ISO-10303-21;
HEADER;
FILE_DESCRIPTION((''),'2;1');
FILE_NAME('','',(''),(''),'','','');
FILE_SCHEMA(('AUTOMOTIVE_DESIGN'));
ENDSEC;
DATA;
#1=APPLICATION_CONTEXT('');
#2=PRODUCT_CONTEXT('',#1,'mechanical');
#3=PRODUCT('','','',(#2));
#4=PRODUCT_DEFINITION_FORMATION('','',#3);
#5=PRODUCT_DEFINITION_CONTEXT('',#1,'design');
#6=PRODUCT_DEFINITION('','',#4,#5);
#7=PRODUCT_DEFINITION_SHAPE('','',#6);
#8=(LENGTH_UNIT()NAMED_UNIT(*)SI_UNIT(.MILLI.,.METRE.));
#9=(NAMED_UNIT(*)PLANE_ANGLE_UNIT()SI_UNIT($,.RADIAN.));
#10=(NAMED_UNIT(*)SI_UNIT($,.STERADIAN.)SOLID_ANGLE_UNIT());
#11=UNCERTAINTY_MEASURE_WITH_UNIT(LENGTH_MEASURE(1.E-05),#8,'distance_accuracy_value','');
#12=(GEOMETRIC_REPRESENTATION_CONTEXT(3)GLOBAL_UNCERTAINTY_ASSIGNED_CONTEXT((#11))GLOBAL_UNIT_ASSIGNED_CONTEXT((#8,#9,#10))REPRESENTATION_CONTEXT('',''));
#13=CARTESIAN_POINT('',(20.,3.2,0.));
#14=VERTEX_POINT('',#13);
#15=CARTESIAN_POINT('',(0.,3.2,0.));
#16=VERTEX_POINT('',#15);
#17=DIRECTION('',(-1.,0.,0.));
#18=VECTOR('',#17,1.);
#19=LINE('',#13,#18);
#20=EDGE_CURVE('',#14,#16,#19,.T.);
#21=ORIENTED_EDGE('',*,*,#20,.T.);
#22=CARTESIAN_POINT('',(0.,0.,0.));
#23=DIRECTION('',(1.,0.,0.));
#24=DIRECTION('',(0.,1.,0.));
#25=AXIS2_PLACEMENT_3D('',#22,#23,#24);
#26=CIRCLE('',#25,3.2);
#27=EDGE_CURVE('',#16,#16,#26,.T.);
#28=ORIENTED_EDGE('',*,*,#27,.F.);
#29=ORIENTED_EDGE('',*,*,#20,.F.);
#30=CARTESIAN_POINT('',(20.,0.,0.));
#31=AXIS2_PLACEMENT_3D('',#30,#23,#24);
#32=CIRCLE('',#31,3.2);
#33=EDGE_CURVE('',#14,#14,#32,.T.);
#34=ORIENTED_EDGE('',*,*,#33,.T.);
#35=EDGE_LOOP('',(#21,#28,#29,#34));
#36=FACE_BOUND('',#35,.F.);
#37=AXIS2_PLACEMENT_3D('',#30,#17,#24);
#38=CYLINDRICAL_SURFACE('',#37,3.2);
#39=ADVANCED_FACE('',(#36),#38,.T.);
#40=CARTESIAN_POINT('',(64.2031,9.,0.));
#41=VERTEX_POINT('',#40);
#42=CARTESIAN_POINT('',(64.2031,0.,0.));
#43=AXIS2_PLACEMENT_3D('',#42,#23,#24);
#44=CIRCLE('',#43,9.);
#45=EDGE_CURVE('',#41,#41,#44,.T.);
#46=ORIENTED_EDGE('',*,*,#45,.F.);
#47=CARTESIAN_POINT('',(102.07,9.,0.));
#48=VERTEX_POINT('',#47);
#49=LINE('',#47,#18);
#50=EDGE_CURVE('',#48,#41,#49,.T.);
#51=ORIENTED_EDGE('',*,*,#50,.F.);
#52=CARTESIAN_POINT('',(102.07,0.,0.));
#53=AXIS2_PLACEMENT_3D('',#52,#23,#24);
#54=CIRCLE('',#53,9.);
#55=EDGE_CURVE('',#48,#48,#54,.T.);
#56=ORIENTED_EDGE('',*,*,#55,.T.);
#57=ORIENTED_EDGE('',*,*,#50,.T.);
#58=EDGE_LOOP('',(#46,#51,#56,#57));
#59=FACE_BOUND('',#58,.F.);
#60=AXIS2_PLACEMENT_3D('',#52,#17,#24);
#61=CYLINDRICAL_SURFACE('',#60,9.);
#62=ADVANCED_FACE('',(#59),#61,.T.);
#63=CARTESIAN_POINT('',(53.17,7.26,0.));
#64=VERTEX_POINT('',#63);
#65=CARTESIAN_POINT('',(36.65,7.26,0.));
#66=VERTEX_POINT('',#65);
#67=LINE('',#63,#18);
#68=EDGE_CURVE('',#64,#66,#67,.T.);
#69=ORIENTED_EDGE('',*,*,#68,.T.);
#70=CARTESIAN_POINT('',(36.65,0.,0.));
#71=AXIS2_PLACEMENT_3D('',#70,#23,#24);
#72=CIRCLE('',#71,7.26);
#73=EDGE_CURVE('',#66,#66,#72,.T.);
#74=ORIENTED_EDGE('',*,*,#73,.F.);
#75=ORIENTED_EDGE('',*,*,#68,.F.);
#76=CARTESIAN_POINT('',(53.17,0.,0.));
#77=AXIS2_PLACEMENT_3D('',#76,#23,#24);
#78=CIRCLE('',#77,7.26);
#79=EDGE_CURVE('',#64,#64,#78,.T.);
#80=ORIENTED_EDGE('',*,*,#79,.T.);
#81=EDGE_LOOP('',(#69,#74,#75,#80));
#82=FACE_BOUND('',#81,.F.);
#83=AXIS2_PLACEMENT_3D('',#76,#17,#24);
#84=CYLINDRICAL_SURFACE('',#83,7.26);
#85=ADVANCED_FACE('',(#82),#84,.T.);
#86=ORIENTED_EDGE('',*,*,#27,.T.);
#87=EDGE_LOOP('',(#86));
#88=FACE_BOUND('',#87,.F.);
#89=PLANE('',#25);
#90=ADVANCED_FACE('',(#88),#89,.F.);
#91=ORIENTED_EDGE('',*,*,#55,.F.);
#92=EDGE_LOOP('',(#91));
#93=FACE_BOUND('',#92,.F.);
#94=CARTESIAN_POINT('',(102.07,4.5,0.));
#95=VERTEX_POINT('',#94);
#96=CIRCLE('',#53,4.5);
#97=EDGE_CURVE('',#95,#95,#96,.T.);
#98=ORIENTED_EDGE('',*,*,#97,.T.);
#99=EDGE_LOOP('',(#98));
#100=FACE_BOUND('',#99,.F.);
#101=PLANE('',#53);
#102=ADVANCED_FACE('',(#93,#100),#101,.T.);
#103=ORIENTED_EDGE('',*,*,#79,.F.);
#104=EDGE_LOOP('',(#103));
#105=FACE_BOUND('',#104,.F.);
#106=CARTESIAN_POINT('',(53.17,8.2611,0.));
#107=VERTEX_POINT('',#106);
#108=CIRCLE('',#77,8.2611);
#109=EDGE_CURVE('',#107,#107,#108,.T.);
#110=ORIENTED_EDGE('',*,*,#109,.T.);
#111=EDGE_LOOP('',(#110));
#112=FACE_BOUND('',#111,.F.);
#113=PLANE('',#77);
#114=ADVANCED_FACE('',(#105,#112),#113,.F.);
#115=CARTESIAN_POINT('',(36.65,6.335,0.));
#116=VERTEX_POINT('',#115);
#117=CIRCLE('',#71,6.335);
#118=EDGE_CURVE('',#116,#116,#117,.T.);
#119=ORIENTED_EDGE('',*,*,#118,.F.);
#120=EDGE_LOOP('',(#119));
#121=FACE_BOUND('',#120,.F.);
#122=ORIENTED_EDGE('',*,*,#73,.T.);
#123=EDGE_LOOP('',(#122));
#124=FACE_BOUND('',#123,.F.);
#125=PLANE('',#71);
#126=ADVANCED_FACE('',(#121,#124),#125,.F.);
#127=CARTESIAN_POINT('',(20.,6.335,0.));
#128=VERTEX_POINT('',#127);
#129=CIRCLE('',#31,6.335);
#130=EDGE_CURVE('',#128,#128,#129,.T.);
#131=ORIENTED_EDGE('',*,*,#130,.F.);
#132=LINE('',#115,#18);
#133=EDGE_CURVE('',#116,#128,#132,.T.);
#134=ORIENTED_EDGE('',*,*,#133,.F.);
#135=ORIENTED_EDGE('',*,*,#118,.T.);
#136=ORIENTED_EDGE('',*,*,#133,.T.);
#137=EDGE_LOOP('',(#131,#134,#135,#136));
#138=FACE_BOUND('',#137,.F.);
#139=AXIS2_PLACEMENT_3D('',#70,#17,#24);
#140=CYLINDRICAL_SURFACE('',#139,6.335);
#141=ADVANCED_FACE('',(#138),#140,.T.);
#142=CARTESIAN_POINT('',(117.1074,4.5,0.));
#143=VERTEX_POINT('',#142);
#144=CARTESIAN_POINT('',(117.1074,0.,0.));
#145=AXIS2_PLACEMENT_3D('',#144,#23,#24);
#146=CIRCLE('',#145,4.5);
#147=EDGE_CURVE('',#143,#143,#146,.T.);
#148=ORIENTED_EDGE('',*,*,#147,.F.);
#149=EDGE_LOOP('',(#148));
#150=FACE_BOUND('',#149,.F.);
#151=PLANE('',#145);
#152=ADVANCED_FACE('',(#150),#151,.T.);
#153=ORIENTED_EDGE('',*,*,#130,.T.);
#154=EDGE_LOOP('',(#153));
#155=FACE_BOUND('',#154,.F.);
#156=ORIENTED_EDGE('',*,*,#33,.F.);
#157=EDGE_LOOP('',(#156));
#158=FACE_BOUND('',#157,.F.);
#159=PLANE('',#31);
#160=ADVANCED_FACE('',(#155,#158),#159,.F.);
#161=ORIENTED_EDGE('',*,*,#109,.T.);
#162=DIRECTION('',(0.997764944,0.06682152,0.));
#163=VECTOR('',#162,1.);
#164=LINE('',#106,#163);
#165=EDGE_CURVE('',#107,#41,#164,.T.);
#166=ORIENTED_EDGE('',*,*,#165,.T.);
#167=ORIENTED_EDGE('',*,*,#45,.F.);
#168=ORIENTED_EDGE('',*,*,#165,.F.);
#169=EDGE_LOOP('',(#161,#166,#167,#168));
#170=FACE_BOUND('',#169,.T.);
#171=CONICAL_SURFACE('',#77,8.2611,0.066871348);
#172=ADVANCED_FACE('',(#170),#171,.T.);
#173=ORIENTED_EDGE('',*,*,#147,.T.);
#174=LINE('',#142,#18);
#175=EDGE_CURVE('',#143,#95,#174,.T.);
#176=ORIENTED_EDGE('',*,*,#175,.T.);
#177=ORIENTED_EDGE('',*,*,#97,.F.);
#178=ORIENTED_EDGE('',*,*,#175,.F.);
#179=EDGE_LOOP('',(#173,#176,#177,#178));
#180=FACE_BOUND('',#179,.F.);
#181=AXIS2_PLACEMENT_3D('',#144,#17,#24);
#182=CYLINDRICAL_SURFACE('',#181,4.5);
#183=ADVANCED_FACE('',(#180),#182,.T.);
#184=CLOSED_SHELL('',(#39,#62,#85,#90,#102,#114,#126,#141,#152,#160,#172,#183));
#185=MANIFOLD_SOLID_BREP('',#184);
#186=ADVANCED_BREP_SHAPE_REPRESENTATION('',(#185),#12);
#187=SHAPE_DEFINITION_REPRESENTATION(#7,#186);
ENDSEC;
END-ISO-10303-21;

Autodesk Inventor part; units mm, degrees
ref_plane "YZ Plane" through (0, 0, 0) normal (1, 0, 0) x (0, 1, 0)
ref_plane "XZ Plane" through (0, 0, 0) normal (0, 1, 0) x (-1, 0, 0)
ref_plane "XY Plane" through (0, 0, 0) normal (0, 0, 1) x (1, 0, 0)
sketch "Sketch1" plane through (0, 0, 0) normal (0, 0, 1) x (1, 0, 0)
  line L0 (0, 0) -> (20, 0)
  line L1 (20, 0) -> (20, 3.2)
  line L2 (20, 3.2) -> (0, 3.2)
  line L3 (0, 3.2) -> (0, 0)
  line L4 (20, 0) -> (36.65, 0)
  line L5 (36.65, 0) -> (36.65, 6.335)
  line L6 (36.65, 6.335) -> (20, 6.335)
  line L7 (20, 6.335) -> (20, 0)
  line L8 (36.65, 0) -> (53.17, 0)
  line L9 (53.17, 0) -> (53.17, 7.26)
  line L10 (53.17, 7.26) -> (36.65, 7.26)
  line L11 (36.65, 7.26) -> (36.65, 0)
  line L12 (53.17, 0) -> (102.07, 0)
  line L13 (102.07, 0) -> (102.07, 9)
  line L14 (102.07, 9) -> (64.2031, 9)
  line L15 (53.17, 9) -> (53.17, 0)
  line L16 (102.07, 0) -> (117.1074, 0)
  line L17 (117.1074, 0) -> (117.1074, 4.5)
  line L18 (117.1074, 4.5) -> (102.07, 4.5)
  line L19 (102.07, 4.5) -> (102.07, 0)
  line L20 (53.17, 8.2611) -> (64.2031, 9)
  dimension "d0" = 20
  dimension "d1" = 3.2
  dimension "d2" = 16.65
  dimension "d3" = 6.335
  dimension "d4" = 16.52
  dimension "d5" = 7.26
  dimension "d6" = 48.9
  dimension "d7" = 9
revolve "Revolution1" add sketch "Sketch1" angle 360 about axis through (53.17, 0, 0) along (1, 0, 0)
properties part number "00_Micrometer"
